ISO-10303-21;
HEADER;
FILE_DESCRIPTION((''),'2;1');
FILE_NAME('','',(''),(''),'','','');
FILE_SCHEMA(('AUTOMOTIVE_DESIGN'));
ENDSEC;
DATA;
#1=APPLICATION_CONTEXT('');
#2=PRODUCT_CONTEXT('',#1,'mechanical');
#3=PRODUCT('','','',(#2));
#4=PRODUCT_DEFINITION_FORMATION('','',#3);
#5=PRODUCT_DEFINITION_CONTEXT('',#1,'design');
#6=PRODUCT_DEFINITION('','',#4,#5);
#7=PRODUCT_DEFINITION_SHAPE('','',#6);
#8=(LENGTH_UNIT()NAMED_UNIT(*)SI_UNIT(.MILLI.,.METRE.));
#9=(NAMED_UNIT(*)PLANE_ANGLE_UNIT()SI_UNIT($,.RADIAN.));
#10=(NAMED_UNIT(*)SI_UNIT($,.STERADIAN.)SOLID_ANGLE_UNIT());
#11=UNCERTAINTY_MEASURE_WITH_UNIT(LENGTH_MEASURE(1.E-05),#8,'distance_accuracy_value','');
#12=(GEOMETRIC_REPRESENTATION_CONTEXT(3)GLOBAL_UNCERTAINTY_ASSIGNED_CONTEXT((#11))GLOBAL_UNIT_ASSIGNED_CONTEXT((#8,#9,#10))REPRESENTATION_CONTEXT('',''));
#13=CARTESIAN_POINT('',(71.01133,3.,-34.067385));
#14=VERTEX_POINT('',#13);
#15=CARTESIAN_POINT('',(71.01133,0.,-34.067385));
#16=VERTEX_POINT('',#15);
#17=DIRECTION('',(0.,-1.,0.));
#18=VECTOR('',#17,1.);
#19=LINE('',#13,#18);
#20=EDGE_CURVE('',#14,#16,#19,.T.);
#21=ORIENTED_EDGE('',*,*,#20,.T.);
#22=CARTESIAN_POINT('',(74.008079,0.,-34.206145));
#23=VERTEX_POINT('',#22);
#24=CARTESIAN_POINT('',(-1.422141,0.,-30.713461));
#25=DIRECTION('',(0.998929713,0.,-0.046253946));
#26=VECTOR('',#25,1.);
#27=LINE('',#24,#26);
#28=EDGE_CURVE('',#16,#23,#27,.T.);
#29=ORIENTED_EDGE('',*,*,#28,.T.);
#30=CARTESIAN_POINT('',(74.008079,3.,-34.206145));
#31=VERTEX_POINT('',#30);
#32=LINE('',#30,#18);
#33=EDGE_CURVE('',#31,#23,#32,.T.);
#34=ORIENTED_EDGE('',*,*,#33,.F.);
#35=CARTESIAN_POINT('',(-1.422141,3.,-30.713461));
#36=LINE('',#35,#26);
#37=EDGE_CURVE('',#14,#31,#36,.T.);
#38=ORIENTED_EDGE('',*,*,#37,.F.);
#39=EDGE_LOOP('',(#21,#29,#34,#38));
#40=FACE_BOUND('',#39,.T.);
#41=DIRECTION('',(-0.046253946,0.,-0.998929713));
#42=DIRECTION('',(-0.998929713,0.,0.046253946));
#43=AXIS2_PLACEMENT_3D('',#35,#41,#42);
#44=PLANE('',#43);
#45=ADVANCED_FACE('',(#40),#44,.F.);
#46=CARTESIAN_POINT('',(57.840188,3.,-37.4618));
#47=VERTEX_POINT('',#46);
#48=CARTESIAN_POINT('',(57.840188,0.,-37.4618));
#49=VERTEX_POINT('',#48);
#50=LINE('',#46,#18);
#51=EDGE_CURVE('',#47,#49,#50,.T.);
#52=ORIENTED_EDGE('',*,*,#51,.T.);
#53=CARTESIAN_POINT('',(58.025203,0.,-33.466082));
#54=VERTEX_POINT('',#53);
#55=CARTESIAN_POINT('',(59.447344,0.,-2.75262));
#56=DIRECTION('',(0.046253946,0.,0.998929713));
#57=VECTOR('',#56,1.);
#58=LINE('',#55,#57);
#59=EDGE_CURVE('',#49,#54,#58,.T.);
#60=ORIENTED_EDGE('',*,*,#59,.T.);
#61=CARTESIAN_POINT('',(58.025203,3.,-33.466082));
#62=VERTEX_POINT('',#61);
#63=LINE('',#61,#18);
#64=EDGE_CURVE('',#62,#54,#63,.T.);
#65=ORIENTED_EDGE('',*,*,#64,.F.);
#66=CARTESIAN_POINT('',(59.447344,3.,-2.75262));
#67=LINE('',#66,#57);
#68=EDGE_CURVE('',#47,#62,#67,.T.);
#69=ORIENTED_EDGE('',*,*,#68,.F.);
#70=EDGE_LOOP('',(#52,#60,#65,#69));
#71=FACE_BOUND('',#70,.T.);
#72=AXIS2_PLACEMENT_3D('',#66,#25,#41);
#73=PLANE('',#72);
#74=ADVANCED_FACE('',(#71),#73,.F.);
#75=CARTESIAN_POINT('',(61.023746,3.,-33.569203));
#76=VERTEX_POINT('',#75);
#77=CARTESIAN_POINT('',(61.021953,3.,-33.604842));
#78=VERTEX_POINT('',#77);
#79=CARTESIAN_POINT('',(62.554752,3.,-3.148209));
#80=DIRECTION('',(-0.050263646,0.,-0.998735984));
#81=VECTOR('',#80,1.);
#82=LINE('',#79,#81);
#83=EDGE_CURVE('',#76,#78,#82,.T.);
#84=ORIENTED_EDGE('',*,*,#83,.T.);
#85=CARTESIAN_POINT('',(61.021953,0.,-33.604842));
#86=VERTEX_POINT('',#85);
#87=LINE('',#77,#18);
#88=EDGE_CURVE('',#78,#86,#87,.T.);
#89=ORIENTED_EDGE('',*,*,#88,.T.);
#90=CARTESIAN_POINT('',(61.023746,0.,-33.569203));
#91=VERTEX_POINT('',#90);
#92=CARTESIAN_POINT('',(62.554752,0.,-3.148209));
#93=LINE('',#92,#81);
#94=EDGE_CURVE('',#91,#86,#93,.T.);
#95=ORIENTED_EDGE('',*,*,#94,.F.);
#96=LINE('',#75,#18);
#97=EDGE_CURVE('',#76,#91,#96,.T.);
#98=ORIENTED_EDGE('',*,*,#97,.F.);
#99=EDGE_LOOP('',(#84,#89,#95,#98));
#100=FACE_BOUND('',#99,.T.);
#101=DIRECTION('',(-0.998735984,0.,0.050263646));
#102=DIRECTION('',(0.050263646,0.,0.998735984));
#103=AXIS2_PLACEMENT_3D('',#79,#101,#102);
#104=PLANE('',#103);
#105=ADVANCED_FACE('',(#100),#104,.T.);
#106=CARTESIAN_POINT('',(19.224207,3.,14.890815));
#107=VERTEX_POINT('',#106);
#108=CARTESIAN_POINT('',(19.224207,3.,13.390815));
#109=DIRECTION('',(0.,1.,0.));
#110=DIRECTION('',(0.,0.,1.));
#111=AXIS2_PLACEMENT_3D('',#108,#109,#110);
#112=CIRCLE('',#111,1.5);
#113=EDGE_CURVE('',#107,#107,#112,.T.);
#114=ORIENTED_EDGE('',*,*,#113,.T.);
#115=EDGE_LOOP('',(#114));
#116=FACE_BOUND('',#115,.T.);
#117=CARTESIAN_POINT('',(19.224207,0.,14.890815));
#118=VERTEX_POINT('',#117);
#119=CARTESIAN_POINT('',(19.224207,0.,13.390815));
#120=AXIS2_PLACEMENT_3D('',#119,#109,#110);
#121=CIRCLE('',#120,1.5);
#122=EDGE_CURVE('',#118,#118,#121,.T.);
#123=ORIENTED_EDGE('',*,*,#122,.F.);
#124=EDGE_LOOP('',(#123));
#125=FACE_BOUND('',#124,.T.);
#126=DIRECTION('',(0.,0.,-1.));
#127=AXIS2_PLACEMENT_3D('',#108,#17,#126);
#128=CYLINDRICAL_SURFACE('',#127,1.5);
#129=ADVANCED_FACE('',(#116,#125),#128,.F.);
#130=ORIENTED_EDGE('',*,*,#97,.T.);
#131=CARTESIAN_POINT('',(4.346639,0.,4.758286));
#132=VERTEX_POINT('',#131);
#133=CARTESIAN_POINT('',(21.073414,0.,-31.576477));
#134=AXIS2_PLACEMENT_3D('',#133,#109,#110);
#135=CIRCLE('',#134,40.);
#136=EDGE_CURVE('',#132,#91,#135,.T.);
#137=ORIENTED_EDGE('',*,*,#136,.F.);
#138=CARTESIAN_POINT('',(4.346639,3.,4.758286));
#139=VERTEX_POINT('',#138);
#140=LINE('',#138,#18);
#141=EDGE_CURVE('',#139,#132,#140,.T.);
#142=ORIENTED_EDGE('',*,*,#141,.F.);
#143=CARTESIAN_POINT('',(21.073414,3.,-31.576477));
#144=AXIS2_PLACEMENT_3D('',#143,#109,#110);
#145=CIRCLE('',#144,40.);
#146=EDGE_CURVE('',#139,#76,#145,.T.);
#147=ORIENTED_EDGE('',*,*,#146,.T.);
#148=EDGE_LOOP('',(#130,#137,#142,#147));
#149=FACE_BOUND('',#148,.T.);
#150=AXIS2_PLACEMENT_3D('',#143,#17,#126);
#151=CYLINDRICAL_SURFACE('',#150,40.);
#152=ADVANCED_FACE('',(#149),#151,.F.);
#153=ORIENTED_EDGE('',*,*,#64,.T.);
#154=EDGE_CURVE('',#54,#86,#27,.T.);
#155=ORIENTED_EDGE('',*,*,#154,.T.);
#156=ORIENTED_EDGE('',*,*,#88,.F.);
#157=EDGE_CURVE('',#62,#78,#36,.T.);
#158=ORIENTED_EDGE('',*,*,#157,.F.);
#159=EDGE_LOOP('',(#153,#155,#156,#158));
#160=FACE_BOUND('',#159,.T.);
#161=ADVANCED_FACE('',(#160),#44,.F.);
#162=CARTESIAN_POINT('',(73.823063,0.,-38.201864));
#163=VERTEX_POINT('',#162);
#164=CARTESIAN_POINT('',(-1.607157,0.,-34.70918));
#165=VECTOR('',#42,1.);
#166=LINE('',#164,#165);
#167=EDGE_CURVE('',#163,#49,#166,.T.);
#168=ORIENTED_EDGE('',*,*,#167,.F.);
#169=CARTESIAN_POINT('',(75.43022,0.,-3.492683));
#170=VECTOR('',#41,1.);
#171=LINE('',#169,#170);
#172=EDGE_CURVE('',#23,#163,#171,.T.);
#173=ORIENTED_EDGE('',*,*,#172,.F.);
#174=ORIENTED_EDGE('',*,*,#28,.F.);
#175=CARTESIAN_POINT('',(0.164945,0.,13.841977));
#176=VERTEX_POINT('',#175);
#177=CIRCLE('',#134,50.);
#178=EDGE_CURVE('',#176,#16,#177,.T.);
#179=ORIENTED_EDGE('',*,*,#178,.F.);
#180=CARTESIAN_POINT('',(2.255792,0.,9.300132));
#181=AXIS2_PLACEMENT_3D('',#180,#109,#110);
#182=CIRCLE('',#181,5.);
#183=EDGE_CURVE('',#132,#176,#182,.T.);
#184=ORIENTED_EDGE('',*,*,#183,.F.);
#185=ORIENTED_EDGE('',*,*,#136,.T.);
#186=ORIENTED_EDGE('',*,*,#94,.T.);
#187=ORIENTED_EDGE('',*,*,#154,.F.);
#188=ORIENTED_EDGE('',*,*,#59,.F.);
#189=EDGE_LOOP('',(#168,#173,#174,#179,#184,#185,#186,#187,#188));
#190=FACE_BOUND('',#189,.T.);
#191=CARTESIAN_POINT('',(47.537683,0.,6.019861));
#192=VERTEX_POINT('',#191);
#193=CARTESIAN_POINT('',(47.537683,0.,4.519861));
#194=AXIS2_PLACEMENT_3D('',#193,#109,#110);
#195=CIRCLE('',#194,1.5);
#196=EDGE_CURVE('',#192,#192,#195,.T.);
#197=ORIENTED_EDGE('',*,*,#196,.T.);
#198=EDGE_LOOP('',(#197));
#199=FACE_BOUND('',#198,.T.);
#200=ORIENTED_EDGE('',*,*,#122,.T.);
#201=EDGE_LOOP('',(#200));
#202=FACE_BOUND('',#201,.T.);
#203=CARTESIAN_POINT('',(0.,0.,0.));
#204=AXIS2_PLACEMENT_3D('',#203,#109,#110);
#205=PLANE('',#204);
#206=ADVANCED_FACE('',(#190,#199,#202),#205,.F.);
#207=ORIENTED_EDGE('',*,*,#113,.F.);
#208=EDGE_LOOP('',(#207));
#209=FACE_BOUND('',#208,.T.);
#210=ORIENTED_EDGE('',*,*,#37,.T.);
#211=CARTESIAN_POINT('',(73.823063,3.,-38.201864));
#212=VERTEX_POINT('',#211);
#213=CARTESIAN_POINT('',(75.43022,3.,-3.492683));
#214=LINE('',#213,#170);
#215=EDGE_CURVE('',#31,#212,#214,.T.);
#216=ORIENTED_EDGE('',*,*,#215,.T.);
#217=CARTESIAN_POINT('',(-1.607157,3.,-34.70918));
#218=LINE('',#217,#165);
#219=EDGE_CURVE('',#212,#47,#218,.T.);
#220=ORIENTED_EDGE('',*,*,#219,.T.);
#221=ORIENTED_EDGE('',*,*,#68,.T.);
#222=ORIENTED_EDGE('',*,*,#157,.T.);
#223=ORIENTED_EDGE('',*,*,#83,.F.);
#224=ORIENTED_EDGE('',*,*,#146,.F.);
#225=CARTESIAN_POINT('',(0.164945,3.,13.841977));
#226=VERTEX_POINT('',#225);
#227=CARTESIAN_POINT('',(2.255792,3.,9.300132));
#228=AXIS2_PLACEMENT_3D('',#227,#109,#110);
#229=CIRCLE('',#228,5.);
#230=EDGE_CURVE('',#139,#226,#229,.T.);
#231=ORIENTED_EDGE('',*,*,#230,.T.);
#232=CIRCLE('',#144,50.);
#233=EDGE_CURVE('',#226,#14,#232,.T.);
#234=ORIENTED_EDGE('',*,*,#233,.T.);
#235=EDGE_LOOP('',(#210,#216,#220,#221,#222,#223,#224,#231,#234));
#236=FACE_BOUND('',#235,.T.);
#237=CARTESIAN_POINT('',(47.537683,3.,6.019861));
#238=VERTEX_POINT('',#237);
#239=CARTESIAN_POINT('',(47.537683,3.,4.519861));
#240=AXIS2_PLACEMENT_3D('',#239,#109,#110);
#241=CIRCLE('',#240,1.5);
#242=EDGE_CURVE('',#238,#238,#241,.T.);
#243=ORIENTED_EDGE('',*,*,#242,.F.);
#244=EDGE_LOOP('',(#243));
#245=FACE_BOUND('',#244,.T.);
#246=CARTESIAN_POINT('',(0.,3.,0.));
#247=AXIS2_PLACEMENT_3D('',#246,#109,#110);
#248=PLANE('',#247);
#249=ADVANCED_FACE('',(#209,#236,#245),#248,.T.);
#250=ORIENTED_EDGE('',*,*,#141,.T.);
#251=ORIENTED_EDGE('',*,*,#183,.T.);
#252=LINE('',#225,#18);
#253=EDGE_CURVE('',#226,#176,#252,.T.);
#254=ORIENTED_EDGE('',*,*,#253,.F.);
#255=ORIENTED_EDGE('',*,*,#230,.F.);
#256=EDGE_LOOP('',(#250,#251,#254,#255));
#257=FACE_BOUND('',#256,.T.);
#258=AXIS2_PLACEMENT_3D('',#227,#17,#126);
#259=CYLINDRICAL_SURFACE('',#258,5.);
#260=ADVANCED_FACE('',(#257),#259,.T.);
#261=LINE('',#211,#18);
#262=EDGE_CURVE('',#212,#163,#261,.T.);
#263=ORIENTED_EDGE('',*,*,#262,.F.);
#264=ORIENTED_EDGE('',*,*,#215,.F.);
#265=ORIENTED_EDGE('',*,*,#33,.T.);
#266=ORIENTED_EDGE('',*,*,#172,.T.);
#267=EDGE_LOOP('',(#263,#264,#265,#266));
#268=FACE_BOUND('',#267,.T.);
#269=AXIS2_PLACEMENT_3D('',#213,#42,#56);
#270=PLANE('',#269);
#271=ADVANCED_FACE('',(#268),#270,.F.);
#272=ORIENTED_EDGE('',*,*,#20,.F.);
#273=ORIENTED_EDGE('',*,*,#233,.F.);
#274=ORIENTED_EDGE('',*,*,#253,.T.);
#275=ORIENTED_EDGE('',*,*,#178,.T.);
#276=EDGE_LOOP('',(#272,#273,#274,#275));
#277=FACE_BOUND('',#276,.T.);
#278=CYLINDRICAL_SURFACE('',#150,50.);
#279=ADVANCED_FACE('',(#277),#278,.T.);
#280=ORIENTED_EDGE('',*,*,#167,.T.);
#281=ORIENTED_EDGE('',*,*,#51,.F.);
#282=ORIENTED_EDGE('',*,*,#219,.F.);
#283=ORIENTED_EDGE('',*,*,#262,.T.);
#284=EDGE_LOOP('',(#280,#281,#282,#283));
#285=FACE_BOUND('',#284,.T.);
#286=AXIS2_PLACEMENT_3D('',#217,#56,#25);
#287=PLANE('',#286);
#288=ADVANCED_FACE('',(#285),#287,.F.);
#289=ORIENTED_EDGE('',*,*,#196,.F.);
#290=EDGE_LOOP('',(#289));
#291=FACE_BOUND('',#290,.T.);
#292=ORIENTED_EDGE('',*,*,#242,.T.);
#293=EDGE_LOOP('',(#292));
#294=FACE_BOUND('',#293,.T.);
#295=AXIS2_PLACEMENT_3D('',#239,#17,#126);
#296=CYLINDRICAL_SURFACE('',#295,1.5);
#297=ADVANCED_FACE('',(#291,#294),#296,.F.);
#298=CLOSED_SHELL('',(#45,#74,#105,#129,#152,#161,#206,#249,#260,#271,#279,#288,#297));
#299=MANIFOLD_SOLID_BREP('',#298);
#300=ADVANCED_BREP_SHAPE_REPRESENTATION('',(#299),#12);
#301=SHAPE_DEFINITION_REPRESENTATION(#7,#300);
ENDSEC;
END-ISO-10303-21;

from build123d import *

# Parameters (mm, degrees)
SKETCH_1_R      = 1.5
EXTRUDE_1_DEPTH = 3


with BuildPart() as part:
    # 草图1 → 凸台-拉伸1 (new body)
    with BuildSketch(Plane(origin=(0, 0, 0), x_dir=(1, 0, 0), z_dir=(0, 1, 0))):
        with BuildLine():
            Line((61.021952874, 33.604841535), (61.023746461, 33.569203074))
            ThreePointArc((61.023746461, 33.569203074), (43.480612021, -1.558361335), (4.346639213, -4.758286247))
            ThreePointArc((4.346639213, -4.758286247), (-2.286053035, -7.209284728), (0.164945446, -13.841976975))
            ThreePointArc((0.164945446, -13.841976975), (49.082411457, -9.842070835), (71.011329506, 34.067384676))
            Line((71.011329506, 34.067384676), (74.008078898, 34.206144673))
            Line((74.008078898, 34.206144673), (73.823063114, 38.201863527))
            Line((73.823063114, 38.201863527), (57.840187699, 37.461800392))
            Line((57.840187699, 37.461800392), (58.025203482, 33.466081538))
            Line((58.025203482, 33.466081538), (61.021952874, 33.604841535))
        make_face()
        with Locations((19.224207172, -13.390815296)):
            Circle(SKETCH_1_R, mode=Mode.SUBTRACT)
        with Locations((47.537682651, -4.519860589)):
            Circle(SKETCH_1_R, mode=Mode.SUBTRACT)
    extrude(amount=EXTRUDE_1_DEPTH)


solid = part.part
